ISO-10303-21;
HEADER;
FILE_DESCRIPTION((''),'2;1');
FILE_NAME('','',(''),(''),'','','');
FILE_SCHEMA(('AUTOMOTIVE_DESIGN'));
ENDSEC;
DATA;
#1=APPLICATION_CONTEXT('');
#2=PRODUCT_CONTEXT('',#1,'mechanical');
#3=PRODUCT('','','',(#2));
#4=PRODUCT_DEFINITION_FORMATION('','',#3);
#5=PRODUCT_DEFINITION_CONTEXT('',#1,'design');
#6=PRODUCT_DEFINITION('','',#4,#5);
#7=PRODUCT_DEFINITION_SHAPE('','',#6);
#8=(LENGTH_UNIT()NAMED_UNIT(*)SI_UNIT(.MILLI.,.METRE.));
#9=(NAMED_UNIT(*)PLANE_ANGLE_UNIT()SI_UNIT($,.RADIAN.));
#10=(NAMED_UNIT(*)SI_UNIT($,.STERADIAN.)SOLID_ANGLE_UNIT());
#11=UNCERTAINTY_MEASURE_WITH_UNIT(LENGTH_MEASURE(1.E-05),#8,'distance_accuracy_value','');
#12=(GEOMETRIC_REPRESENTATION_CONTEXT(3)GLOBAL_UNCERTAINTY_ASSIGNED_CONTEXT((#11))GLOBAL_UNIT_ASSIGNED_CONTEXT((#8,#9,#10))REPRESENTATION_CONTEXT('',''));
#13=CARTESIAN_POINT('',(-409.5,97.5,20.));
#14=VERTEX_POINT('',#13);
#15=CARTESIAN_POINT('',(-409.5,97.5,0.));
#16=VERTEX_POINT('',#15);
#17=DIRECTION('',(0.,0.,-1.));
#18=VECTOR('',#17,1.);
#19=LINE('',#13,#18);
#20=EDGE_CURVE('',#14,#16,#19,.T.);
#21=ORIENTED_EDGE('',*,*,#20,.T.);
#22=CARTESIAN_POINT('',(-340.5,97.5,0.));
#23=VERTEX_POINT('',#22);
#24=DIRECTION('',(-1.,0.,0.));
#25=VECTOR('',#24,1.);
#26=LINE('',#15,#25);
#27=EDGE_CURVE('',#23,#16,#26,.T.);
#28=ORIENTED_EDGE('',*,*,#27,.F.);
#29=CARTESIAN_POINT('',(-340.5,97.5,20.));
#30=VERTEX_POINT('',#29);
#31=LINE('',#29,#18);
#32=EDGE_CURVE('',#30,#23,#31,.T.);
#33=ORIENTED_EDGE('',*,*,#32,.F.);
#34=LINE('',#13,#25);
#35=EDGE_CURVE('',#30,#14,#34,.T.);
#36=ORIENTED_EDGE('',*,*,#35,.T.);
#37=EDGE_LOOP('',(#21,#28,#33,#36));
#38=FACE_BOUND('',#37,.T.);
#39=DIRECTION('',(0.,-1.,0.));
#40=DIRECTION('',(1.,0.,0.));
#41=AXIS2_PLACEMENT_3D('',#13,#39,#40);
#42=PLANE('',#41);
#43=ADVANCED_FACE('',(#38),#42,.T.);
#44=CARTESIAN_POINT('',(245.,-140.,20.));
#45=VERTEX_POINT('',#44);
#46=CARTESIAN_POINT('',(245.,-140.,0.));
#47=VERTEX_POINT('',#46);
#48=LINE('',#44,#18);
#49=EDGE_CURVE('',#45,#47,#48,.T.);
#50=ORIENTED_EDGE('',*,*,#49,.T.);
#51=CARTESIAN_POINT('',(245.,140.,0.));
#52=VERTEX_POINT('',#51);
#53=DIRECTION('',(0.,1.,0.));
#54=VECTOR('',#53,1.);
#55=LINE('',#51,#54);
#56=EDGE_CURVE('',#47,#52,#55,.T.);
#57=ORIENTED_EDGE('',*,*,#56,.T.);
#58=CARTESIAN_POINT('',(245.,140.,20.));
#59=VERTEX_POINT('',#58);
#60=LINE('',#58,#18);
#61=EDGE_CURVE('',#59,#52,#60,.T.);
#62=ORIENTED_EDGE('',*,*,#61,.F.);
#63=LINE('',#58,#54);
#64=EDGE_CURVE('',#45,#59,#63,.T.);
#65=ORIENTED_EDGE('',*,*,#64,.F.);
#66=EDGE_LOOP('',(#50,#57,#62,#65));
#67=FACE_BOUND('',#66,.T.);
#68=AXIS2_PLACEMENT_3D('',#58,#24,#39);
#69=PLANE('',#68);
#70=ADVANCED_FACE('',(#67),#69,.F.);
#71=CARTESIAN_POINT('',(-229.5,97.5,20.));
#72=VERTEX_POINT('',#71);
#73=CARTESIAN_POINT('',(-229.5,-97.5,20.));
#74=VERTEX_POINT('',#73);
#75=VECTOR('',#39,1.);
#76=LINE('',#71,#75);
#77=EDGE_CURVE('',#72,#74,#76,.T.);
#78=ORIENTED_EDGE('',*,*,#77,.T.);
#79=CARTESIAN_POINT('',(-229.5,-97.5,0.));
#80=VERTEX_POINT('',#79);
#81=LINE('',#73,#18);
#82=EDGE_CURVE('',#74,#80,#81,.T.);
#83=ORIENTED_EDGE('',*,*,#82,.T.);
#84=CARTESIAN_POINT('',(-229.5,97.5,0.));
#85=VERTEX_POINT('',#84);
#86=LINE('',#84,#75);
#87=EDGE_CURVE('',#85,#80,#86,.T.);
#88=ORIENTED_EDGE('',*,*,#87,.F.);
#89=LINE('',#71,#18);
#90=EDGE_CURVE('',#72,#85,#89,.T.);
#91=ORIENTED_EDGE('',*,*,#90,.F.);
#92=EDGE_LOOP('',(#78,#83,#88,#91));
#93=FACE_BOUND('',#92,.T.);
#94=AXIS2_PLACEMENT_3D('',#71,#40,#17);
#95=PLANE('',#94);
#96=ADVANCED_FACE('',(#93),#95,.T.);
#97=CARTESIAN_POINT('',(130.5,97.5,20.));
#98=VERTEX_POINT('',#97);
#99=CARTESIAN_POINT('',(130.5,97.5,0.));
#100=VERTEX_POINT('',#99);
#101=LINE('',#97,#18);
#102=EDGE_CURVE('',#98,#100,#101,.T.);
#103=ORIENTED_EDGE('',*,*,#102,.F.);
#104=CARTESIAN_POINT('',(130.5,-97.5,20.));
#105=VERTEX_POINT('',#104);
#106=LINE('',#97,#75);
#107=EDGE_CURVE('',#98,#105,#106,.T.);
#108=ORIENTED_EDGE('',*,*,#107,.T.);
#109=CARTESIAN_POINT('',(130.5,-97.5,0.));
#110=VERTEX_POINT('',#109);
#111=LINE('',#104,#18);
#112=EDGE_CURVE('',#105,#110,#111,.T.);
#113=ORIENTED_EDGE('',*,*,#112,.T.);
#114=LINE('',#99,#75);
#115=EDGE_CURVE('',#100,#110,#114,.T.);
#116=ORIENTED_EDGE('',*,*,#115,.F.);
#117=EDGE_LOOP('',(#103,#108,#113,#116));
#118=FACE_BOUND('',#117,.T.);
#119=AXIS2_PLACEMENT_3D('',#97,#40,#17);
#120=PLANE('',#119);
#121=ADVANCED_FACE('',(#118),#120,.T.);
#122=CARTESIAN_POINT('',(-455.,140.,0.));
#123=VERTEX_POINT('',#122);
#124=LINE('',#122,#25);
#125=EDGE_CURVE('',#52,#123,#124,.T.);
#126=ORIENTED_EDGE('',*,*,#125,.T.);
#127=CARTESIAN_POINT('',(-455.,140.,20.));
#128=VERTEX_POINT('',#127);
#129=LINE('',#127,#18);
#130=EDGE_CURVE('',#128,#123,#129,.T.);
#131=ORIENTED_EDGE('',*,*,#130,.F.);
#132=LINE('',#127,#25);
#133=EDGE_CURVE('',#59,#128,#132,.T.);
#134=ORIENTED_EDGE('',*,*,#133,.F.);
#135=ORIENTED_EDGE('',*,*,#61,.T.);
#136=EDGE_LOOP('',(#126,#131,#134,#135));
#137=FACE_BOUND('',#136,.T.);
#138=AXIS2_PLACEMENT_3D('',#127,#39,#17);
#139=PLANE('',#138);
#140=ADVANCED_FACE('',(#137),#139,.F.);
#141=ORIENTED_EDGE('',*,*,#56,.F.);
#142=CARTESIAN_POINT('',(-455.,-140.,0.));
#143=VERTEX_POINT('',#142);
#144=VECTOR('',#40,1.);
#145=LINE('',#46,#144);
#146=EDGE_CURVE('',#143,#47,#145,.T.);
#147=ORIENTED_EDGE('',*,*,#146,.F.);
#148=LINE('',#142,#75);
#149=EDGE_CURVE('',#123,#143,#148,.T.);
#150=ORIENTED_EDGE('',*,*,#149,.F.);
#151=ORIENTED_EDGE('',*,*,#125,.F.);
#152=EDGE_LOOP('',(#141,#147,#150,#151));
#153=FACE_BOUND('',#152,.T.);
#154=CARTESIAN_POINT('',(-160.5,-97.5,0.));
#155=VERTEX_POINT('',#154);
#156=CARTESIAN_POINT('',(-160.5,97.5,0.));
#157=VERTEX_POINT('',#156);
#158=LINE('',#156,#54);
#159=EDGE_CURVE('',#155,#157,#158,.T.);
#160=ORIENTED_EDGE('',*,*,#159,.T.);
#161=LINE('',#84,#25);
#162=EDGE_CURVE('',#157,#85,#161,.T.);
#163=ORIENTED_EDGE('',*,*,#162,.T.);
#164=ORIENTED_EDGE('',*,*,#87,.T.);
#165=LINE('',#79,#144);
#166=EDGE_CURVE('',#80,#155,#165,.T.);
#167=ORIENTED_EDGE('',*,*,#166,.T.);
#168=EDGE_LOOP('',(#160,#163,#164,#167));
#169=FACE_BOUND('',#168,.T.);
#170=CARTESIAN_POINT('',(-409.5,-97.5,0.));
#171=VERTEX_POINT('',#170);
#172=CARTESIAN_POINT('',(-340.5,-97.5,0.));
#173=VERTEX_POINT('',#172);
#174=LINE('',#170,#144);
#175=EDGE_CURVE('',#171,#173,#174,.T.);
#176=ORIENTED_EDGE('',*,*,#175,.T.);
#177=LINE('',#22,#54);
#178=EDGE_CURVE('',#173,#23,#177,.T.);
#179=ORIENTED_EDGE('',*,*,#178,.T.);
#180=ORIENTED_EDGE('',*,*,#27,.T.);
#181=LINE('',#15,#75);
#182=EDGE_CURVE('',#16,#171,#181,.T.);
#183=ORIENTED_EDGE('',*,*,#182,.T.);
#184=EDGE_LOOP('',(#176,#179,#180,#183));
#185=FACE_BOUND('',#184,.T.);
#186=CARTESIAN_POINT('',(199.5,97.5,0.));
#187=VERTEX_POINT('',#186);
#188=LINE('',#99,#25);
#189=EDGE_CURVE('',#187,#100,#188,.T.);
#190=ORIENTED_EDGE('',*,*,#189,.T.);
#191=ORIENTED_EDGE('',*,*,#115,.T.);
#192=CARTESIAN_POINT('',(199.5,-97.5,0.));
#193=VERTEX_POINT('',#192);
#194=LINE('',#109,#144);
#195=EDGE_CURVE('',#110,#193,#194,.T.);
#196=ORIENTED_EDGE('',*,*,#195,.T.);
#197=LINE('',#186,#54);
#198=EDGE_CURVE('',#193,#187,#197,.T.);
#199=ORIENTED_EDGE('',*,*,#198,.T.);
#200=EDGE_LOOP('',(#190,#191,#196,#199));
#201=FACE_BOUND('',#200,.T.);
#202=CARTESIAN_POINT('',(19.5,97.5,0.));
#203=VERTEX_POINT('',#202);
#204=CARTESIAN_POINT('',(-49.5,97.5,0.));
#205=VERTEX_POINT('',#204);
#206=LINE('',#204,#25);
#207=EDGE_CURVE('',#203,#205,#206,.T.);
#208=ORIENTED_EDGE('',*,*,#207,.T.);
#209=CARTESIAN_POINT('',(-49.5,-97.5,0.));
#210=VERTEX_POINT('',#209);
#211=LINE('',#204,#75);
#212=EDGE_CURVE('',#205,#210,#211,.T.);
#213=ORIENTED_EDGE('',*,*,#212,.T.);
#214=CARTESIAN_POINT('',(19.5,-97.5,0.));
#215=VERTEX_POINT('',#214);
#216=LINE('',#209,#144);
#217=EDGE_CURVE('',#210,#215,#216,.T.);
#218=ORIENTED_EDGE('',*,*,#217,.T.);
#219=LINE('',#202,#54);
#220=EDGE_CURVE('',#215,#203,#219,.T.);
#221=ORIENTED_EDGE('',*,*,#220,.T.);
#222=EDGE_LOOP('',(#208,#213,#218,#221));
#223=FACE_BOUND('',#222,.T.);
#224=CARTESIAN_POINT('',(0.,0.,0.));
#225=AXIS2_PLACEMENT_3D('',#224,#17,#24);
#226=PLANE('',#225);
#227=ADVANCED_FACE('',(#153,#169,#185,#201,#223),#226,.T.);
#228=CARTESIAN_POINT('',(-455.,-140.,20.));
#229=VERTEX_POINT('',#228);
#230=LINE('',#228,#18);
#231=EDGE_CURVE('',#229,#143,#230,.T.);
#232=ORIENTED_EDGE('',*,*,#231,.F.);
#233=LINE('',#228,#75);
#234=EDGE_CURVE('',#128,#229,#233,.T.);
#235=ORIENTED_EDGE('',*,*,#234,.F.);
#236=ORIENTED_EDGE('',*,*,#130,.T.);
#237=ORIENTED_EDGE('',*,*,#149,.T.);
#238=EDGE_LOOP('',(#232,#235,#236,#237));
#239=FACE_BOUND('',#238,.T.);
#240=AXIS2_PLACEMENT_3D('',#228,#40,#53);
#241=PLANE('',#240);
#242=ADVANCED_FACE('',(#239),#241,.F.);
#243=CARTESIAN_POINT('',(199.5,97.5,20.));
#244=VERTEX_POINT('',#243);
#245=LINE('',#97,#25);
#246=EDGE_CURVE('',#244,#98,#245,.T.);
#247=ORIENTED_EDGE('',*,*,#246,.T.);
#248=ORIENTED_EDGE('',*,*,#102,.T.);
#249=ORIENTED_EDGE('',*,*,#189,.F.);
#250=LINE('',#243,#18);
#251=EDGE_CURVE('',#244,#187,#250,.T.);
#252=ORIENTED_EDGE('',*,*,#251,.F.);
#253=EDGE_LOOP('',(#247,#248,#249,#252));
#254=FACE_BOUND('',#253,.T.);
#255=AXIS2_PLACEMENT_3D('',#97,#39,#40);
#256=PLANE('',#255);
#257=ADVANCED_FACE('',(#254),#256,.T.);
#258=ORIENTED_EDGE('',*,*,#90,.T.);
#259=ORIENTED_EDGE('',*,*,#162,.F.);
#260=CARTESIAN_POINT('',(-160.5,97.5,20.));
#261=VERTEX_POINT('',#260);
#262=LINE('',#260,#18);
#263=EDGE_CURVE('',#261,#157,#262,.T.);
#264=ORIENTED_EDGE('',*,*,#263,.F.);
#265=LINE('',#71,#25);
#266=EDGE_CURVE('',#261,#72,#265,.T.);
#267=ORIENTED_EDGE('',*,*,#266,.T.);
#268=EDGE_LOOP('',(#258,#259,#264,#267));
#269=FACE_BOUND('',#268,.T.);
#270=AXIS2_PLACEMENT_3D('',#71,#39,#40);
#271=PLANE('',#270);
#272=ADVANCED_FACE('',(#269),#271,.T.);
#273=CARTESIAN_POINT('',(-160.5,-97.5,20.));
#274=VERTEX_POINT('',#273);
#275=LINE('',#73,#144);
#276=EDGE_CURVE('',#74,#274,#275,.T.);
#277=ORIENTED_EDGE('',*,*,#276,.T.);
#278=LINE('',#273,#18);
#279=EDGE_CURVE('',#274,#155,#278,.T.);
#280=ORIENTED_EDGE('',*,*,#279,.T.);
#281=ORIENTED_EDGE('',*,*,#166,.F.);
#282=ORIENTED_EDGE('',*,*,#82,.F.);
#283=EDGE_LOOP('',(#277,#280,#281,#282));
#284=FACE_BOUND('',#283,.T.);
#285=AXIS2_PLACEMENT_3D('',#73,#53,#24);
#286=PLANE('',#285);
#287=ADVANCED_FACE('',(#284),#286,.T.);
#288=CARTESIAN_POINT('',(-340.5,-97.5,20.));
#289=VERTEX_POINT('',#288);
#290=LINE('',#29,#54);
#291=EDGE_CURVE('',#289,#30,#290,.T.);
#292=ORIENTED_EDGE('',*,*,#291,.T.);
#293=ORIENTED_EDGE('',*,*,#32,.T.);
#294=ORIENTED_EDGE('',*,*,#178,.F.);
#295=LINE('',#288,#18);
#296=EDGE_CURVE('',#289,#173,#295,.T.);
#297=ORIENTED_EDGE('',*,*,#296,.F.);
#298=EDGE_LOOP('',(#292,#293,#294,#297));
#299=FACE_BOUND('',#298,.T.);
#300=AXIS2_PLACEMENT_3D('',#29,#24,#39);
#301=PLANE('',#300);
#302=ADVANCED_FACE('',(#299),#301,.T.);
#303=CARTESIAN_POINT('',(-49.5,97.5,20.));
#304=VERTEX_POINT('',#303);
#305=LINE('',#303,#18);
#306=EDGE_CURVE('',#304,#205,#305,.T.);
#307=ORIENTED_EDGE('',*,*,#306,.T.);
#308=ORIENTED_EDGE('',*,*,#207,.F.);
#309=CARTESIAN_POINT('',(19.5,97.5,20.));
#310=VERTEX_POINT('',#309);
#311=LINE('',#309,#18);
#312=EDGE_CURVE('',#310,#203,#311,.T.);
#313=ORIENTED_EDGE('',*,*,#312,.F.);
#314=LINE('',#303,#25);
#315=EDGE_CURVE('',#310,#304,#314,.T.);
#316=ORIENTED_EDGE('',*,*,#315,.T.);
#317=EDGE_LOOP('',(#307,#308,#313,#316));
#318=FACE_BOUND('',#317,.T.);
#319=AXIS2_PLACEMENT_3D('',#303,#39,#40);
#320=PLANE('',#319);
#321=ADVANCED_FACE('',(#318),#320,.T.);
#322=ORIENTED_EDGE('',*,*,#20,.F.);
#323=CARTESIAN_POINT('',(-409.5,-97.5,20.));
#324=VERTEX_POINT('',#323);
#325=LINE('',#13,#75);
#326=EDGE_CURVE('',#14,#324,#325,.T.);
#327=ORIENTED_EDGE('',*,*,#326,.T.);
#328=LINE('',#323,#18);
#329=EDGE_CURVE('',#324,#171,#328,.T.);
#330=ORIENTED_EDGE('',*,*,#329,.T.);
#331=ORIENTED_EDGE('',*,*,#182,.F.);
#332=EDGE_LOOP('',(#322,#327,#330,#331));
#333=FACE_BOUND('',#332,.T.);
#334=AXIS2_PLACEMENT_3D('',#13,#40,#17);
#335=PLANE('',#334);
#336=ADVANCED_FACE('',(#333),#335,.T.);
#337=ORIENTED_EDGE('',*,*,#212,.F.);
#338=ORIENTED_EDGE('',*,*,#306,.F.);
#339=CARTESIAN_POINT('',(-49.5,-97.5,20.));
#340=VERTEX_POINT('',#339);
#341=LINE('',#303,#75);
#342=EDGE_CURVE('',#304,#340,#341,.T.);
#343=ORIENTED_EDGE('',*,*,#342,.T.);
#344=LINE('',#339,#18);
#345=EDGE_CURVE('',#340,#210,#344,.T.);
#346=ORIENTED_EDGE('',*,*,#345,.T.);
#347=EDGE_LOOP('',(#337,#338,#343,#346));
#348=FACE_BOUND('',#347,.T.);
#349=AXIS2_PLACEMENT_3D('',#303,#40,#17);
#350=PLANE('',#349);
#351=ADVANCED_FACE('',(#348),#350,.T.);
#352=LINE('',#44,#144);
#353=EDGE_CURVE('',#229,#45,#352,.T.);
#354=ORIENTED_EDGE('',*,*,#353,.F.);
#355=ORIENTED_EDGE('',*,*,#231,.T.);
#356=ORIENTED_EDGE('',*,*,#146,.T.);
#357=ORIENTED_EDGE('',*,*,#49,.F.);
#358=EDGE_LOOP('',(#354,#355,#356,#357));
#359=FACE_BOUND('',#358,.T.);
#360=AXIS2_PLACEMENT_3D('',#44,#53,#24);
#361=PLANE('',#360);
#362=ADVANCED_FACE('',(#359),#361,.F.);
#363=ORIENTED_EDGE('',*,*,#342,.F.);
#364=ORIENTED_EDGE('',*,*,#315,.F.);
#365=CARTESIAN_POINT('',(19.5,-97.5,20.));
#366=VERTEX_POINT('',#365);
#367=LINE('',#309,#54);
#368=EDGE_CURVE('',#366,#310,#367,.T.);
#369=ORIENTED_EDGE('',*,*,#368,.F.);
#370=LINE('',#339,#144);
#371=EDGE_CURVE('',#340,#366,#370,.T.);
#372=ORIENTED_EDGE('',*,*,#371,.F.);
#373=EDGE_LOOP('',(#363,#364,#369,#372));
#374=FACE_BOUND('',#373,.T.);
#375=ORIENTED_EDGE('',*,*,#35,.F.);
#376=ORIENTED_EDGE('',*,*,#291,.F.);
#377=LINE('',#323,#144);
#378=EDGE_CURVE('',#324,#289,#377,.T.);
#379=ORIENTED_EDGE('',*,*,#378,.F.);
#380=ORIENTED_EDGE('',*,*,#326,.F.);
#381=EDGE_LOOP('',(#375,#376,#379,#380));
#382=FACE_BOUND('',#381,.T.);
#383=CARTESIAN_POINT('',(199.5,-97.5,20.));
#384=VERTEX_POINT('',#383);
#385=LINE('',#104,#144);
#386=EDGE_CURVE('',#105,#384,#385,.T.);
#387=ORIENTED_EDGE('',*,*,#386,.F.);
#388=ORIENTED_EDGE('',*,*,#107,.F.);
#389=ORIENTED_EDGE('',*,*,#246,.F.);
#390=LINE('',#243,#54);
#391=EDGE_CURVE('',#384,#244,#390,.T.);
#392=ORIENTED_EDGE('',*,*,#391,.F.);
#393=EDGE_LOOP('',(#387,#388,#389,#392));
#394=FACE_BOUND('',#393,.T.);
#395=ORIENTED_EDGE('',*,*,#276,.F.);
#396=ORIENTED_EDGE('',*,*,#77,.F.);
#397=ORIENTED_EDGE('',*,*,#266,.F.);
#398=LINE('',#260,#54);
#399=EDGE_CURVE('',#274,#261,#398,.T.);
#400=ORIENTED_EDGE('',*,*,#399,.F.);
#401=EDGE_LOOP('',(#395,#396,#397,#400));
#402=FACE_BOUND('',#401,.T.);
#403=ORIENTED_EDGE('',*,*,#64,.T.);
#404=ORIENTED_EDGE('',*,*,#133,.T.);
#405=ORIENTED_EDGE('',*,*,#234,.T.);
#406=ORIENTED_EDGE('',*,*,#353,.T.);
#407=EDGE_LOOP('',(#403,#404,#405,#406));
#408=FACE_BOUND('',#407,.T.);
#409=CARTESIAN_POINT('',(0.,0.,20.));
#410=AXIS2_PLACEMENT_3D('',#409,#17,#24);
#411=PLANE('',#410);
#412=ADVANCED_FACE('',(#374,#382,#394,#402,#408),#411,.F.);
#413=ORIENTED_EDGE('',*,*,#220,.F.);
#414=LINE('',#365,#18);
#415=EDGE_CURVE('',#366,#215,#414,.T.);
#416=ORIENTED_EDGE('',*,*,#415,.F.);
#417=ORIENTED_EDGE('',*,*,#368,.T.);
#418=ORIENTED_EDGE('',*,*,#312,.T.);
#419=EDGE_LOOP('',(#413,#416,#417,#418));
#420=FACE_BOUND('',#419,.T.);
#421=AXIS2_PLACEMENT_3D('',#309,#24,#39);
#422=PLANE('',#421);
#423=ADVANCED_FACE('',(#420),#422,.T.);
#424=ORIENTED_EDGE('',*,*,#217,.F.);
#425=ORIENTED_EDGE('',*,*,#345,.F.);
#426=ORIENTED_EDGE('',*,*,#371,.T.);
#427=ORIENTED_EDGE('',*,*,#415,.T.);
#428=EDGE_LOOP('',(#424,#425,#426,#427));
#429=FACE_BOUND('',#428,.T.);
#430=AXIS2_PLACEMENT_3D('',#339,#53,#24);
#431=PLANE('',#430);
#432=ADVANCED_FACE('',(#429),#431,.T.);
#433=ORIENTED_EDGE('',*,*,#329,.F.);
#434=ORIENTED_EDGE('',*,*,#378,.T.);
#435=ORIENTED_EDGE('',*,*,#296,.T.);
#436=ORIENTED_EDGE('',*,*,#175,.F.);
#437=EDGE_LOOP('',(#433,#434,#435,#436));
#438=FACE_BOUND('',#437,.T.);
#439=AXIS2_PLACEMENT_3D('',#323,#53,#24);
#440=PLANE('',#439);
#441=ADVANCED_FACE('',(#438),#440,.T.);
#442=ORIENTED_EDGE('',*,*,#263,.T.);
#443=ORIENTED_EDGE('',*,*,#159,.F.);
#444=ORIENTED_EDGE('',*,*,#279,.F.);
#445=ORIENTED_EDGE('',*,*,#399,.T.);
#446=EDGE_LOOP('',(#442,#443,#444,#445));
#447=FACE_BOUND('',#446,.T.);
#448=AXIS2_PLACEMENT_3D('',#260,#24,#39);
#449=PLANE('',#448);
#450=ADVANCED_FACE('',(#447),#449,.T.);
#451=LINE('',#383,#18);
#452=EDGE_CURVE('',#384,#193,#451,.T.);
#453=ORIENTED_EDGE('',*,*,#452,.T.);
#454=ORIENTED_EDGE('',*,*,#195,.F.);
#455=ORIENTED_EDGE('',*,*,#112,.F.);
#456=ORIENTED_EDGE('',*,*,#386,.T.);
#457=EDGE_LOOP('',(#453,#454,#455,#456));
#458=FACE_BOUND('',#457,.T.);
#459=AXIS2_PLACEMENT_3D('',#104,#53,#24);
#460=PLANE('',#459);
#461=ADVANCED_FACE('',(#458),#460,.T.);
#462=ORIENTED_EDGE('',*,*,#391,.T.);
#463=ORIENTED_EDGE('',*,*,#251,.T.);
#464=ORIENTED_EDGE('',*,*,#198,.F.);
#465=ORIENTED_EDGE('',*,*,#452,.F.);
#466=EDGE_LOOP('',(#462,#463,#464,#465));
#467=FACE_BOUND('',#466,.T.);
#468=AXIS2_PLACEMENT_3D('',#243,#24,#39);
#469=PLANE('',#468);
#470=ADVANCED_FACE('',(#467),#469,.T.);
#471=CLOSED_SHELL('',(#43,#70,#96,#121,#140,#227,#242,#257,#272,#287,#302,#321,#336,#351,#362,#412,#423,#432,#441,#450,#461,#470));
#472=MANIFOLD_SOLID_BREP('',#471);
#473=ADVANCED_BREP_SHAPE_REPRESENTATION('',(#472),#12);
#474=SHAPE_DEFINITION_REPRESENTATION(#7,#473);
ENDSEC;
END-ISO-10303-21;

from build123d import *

# Parameters (mm, degrees)
SKETCH1_W           = 700
SKETCH1_H           = 280
SKETCH1_W_2         = 69
SKETCH1_H_2         = 195
BOSS_EXTRUDE1_DEPTH = 20


with BuildPart() as part:
    # Sketch1 → Boss-Extrude1 (new body)
    with BuildSketch(Plane.XY):
        with Locations((-105, 0)):
            Rectangle(SKETCH1_W, SKETCH1_H)
        with Locations((-195, 0)):
            Rectangle(SKETCH1_W_2, SKETCH1_H_2, mode=Mode.SUBTRACT)
        with Locations((-375, 0)):
            Rectangle(SKETCH1_W_2, SKETCH1_H_2, mode=Mode.SUBTRACT)
        with Locations((-15, 0)):
            Rectangle(SKETCH1_W_2, SKETCH1_H_2, mode=Mode.SUBTRACT)
        with Locations((165, 0)):
            Rectangle(SKETCH1_W_2, SKETCH1_H_2, mode=Mode.SUBTRACT)
    extrude(amount=BOSS_EXTRUDE1_DEPTH)


solid = part.part
